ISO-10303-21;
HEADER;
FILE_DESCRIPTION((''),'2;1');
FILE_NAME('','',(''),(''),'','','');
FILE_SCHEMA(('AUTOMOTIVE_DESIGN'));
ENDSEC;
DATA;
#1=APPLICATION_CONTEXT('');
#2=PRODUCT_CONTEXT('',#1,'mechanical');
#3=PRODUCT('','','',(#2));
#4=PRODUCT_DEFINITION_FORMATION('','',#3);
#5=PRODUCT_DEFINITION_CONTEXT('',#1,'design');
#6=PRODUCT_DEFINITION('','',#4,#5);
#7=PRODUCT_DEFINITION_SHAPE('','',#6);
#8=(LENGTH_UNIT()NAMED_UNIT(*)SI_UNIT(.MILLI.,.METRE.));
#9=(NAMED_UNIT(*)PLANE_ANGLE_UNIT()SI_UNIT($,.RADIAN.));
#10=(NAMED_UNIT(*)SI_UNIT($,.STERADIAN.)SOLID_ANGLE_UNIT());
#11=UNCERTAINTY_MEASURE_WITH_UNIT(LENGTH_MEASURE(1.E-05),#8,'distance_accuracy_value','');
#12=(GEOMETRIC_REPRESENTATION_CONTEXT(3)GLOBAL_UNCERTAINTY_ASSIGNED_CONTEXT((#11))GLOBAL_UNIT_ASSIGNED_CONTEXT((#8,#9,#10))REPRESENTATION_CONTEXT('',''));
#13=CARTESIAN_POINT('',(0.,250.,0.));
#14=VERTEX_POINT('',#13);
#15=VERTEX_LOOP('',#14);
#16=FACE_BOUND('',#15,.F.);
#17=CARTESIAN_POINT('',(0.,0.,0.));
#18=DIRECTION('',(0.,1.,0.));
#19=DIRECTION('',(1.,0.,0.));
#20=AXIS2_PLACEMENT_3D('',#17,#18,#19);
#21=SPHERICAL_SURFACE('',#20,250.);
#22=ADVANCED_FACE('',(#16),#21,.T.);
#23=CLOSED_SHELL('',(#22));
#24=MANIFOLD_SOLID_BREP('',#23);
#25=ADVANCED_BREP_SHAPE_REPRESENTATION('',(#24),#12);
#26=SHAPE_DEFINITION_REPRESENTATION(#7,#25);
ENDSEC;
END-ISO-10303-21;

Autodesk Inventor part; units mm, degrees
ref_plane "YZ Plane" through (0, 0, 0) normal (1, 0, 0) x (0, 1, 0)
ref_plane "XZ Plane" through (0, 0, 0) normal (0, 1, 0) x (-1, 0, 0)
ref_plane "XY Plane" through (0, 0, 0) normal (0, 0, 1) x (1, 0, 0)
sketch "Sketch1" plane through (0, 0, 0) normal (0, 0, 1) x (1, 0, 0)
  arc A0 (0, -250) -> (0, 250) centre (0, 0) ccw
  line L0 (0, 250) -> (0, -250)
  dimension "d0" = 500
  dimension "d1" = 0
revolve "Revolution1" add sketch "Sketch1" angle 360 about axis through (0, 250, 0) along (0, -1, 0)
properties part number "dracothruster"
